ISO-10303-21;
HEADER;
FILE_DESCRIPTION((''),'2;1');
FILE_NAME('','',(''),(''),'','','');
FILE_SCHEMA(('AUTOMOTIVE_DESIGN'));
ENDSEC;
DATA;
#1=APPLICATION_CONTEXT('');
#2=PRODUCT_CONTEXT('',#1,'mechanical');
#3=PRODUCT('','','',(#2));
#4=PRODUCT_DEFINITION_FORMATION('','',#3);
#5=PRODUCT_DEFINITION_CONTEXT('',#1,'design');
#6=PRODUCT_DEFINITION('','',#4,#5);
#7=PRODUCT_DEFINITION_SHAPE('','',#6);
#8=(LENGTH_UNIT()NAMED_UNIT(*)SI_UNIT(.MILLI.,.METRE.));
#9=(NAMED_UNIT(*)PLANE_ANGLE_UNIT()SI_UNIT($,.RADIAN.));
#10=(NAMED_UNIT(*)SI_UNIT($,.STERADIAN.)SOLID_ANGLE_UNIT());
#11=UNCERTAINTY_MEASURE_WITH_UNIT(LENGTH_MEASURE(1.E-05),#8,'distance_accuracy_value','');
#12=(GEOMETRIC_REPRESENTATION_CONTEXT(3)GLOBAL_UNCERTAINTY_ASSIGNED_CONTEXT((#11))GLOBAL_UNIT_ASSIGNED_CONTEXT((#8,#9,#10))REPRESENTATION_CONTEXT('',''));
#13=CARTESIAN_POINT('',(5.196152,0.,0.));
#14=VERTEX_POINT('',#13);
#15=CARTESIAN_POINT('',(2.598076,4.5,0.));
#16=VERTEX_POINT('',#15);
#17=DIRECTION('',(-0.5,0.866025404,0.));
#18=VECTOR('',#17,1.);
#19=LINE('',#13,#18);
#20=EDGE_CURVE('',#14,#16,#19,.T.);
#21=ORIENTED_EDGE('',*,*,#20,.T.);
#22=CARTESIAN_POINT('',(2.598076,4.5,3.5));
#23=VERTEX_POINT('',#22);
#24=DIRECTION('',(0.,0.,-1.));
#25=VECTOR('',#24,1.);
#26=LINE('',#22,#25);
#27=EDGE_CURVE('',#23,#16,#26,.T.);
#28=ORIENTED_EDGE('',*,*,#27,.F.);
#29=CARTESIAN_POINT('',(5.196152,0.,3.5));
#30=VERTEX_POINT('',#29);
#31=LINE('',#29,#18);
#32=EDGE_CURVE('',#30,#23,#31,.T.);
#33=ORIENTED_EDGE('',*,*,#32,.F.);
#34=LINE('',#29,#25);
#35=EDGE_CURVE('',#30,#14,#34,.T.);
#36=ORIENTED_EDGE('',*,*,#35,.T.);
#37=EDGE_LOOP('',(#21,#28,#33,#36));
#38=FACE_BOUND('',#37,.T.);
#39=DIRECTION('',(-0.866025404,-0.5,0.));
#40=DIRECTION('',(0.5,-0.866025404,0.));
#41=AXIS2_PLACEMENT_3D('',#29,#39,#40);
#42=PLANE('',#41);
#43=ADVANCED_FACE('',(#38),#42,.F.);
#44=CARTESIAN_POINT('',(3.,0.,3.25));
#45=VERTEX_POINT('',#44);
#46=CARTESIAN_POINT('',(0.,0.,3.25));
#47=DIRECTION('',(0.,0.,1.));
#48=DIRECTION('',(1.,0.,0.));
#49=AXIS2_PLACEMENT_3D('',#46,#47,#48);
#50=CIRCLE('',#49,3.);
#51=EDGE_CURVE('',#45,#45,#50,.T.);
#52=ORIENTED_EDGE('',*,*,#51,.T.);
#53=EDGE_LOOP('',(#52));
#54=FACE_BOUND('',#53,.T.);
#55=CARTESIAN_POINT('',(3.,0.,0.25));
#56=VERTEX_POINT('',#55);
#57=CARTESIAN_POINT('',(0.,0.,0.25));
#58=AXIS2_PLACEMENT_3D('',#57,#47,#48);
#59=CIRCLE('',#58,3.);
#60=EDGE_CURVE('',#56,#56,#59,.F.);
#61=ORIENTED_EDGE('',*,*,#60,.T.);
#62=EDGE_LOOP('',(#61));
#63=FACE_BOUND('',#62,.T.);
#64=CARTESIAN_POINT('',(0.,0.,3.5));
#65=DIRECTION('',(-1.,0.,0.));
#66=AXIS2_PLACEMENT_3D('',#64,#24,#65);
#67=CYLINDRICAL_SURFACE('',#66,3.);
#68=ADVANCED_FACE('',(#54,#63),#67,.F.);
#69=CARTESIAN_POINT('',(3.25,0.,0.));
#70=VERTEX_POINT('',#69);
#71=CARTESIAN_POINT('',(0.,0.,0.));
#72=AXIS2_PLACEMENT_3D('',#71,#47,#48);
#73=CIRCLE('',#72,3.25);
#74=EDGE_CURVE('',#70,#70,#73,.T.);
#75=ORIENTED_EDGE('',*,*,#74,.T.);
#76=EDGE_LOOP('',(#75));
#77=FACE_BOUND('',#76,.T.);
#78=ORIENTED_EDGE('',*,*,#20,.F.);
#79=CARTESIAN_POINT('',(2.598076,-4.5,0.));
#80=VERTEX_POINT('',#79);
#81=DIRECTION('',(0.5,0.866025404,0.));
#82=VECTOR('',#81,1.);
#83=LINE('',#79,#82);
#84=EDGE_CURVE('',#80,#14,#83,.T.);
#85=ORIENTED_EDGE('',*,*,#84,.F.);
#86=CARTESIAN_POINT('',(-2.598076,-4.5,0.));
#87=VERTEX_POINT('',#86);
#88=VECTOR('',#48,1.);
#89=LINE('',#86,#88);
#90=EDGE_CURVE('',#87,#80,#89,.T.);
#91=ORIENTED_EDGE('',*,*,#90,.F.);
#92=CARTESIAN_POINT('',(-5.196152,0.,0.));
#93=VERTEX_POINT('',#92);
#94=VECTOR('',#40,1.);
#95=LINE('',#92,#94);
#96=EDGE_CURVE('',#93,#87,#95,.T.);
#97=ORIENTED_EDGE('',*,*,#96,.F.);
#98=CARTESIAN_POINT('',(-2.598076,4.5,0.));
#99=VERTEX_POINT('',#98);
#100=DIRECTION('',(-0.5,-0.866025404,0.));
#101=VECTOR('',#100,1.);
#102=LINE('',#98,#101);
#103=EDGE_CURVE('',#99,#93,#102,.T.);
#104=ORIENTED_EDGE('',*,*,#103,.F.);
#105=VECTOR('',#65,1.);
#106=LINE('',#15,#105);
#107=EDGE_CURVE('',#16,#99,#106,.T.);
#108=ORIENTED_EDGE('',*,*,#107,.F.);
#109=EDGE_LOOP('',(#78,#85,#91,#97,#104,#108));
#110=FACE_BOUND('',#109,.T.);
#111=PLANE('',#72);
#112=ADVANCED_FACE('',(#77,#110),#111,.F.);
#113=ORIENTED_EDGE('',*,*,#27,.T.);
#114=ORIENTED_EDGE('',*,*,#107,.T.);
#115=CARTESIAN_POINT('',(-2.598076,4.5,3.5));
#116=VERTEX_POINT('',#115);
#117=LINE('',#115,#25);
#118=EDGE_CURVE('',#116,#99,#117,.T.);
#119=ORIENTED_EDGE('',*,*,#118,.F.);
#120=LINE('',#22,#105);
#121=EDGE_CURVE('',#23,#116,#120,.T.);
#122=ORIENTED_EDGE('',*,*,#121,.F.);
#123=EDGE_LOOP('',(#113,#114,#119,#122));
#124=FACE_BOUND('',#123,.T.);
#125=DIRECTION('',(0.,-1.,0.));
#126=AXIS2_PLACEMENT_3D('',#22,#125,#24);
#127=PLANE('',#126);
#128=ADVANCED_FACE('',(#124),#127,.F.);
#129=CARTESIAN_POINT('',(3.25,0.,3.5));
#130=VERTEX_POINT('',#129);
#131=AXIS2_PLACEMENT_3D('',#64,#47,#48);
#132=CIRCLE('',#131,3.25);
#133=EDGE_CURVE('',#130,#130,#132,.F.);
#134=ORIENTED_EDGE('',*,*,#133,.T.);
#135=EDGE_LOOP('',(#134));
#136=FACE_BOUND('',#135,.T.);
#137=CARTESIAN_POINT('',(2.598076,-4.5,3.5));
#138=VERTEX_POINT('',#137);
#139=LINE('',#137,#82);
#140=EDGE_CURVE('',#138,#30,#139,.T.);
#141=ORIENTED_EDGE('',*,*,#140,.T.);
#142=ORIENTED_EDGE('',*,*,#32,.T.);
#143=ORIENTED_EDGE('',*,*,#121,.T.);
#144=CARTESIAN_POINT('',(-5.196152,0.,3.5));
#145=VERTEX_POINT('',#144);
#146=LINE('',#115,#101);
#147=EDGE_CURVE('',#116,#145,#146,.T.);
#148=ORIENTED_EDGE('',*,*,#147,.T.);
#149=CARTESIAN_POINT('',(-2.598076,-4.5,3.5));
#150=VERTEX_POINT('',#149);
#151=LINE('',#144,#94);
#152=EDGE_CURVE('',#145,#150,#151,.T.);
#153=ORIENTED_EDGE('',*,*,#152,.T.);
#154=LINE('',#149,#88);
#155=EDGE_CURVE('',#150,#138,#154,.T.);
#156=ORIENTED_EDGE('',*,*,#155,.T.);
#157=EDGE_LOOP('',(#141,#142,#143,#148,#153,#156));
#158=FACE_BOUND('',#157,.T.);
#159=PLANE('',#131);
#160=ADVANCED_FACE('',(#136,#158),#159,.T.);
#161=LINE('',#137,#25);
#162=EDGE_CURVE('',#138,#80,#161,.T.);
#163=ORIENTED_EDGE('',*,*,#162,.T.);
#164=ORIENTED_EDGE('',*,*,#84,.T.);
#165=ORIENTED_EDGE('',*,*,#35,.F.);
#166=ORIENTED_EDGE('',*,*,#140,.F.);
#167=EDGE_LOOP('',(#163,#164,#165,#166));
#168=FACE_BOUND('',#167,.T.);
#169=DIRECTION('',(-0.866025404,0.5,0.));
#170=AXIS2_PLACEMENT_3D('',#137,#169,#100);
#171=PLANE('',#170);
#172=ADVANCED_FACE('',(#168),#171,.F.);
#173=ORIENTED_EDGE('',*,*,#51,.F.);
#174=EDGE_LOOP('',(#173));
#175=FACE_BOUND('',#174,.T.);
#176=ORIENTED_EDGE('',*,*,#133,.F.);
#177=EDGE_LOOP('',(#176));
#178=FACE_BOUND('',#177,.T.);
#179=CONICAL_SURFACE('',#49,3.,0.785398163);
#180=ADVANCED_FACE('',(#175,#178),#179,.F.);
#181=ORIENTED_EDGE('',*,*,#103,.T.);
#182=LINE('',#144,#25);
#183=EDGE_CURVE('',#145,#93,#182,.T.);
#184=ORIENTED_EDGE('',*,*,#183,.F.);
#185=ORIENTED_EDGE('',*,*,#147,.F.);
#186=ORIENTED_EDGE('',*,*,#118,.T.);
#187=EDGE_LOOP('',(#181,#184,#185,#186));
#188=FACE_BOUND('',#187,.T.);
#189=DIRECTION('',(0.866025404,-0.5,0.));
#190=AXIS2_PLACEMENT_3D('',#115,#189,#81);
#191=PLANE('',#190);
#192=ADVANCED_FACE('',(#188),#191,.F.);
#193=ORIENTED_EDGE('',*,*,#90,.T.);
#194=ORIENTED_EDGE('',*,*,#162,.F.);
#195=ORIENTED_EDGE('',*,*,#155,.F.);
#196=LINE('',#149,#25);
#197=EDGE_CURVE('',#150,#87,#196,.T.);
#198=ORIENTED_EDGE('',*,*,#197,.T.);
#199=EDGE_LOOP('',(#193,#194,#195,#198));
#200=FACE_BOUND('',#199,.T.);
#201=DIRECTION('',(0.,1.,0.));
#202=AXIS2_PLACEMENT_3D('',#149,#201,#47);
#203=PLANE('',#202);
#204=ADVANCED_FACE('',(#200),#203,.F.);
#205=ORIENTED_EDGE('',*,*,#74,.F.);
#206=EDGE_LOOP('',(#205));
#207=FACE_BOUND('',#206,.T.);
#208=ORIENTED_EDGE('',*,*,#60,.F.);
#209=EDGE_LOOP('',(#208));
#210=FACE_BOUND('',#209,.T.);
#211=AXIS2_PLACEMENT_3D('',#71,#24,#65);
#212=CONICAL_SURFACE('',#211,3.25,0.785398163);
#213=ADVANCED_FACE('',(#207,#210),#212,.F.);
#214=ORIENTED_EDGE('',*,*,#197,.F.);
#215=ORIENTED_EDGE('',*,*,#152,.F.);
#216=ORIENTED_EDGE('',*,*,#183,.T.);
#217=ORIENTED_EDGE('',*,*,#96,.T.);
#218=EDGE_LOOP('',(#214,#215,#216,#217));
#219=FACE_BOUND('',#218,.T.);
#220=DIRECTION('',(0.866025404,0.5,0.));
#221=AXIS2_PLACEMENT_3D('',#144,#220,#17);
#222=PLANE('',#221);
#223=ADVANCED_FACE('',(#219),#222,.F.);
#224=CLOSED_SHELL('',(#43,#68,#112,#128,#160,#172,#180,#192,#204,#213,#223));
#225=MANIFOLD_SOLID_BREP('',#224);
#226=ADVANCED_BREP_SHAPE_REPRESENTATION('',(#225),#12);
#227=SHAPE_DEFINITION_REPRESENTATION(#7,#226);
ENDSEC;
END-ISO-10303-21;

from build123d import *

# Parameters (mm, degrees)
IZIM1_R                     = 3
Y_KSEKLIK_EKSTR_ZYON1_DEPTH = 3.5
PAH1_SIZE                   = 0.25


with BuildPart() as part:
    # Çizim1 → Yükseklik-Ekstrüzyon1 (new body)
    with BuildSketch(Plane.XY):
        Polygon((5.196152423, 0), (2.598076211, 4.5), (-2.598076211, 4.5), (-5.196152423, 0), (-2.598076211, -4.5), (2.598076211, -4.5), align=None)
        Circle(IZIM1_R, mode=Mode.SUBTRACT)
    extrude(amount=Y_KSEKLIK_EKSTR_ZYON1_DEPTH)

    # Pah1
    pah1_edges = [part.edges().sort_by_distance(p)[0] for p in [
        (-3, 0, 0),
        (-3, 0, 3.5),
    ]]
    chamfer(pah1_edges, length=PAH1_SIZE)


solid = part.part
